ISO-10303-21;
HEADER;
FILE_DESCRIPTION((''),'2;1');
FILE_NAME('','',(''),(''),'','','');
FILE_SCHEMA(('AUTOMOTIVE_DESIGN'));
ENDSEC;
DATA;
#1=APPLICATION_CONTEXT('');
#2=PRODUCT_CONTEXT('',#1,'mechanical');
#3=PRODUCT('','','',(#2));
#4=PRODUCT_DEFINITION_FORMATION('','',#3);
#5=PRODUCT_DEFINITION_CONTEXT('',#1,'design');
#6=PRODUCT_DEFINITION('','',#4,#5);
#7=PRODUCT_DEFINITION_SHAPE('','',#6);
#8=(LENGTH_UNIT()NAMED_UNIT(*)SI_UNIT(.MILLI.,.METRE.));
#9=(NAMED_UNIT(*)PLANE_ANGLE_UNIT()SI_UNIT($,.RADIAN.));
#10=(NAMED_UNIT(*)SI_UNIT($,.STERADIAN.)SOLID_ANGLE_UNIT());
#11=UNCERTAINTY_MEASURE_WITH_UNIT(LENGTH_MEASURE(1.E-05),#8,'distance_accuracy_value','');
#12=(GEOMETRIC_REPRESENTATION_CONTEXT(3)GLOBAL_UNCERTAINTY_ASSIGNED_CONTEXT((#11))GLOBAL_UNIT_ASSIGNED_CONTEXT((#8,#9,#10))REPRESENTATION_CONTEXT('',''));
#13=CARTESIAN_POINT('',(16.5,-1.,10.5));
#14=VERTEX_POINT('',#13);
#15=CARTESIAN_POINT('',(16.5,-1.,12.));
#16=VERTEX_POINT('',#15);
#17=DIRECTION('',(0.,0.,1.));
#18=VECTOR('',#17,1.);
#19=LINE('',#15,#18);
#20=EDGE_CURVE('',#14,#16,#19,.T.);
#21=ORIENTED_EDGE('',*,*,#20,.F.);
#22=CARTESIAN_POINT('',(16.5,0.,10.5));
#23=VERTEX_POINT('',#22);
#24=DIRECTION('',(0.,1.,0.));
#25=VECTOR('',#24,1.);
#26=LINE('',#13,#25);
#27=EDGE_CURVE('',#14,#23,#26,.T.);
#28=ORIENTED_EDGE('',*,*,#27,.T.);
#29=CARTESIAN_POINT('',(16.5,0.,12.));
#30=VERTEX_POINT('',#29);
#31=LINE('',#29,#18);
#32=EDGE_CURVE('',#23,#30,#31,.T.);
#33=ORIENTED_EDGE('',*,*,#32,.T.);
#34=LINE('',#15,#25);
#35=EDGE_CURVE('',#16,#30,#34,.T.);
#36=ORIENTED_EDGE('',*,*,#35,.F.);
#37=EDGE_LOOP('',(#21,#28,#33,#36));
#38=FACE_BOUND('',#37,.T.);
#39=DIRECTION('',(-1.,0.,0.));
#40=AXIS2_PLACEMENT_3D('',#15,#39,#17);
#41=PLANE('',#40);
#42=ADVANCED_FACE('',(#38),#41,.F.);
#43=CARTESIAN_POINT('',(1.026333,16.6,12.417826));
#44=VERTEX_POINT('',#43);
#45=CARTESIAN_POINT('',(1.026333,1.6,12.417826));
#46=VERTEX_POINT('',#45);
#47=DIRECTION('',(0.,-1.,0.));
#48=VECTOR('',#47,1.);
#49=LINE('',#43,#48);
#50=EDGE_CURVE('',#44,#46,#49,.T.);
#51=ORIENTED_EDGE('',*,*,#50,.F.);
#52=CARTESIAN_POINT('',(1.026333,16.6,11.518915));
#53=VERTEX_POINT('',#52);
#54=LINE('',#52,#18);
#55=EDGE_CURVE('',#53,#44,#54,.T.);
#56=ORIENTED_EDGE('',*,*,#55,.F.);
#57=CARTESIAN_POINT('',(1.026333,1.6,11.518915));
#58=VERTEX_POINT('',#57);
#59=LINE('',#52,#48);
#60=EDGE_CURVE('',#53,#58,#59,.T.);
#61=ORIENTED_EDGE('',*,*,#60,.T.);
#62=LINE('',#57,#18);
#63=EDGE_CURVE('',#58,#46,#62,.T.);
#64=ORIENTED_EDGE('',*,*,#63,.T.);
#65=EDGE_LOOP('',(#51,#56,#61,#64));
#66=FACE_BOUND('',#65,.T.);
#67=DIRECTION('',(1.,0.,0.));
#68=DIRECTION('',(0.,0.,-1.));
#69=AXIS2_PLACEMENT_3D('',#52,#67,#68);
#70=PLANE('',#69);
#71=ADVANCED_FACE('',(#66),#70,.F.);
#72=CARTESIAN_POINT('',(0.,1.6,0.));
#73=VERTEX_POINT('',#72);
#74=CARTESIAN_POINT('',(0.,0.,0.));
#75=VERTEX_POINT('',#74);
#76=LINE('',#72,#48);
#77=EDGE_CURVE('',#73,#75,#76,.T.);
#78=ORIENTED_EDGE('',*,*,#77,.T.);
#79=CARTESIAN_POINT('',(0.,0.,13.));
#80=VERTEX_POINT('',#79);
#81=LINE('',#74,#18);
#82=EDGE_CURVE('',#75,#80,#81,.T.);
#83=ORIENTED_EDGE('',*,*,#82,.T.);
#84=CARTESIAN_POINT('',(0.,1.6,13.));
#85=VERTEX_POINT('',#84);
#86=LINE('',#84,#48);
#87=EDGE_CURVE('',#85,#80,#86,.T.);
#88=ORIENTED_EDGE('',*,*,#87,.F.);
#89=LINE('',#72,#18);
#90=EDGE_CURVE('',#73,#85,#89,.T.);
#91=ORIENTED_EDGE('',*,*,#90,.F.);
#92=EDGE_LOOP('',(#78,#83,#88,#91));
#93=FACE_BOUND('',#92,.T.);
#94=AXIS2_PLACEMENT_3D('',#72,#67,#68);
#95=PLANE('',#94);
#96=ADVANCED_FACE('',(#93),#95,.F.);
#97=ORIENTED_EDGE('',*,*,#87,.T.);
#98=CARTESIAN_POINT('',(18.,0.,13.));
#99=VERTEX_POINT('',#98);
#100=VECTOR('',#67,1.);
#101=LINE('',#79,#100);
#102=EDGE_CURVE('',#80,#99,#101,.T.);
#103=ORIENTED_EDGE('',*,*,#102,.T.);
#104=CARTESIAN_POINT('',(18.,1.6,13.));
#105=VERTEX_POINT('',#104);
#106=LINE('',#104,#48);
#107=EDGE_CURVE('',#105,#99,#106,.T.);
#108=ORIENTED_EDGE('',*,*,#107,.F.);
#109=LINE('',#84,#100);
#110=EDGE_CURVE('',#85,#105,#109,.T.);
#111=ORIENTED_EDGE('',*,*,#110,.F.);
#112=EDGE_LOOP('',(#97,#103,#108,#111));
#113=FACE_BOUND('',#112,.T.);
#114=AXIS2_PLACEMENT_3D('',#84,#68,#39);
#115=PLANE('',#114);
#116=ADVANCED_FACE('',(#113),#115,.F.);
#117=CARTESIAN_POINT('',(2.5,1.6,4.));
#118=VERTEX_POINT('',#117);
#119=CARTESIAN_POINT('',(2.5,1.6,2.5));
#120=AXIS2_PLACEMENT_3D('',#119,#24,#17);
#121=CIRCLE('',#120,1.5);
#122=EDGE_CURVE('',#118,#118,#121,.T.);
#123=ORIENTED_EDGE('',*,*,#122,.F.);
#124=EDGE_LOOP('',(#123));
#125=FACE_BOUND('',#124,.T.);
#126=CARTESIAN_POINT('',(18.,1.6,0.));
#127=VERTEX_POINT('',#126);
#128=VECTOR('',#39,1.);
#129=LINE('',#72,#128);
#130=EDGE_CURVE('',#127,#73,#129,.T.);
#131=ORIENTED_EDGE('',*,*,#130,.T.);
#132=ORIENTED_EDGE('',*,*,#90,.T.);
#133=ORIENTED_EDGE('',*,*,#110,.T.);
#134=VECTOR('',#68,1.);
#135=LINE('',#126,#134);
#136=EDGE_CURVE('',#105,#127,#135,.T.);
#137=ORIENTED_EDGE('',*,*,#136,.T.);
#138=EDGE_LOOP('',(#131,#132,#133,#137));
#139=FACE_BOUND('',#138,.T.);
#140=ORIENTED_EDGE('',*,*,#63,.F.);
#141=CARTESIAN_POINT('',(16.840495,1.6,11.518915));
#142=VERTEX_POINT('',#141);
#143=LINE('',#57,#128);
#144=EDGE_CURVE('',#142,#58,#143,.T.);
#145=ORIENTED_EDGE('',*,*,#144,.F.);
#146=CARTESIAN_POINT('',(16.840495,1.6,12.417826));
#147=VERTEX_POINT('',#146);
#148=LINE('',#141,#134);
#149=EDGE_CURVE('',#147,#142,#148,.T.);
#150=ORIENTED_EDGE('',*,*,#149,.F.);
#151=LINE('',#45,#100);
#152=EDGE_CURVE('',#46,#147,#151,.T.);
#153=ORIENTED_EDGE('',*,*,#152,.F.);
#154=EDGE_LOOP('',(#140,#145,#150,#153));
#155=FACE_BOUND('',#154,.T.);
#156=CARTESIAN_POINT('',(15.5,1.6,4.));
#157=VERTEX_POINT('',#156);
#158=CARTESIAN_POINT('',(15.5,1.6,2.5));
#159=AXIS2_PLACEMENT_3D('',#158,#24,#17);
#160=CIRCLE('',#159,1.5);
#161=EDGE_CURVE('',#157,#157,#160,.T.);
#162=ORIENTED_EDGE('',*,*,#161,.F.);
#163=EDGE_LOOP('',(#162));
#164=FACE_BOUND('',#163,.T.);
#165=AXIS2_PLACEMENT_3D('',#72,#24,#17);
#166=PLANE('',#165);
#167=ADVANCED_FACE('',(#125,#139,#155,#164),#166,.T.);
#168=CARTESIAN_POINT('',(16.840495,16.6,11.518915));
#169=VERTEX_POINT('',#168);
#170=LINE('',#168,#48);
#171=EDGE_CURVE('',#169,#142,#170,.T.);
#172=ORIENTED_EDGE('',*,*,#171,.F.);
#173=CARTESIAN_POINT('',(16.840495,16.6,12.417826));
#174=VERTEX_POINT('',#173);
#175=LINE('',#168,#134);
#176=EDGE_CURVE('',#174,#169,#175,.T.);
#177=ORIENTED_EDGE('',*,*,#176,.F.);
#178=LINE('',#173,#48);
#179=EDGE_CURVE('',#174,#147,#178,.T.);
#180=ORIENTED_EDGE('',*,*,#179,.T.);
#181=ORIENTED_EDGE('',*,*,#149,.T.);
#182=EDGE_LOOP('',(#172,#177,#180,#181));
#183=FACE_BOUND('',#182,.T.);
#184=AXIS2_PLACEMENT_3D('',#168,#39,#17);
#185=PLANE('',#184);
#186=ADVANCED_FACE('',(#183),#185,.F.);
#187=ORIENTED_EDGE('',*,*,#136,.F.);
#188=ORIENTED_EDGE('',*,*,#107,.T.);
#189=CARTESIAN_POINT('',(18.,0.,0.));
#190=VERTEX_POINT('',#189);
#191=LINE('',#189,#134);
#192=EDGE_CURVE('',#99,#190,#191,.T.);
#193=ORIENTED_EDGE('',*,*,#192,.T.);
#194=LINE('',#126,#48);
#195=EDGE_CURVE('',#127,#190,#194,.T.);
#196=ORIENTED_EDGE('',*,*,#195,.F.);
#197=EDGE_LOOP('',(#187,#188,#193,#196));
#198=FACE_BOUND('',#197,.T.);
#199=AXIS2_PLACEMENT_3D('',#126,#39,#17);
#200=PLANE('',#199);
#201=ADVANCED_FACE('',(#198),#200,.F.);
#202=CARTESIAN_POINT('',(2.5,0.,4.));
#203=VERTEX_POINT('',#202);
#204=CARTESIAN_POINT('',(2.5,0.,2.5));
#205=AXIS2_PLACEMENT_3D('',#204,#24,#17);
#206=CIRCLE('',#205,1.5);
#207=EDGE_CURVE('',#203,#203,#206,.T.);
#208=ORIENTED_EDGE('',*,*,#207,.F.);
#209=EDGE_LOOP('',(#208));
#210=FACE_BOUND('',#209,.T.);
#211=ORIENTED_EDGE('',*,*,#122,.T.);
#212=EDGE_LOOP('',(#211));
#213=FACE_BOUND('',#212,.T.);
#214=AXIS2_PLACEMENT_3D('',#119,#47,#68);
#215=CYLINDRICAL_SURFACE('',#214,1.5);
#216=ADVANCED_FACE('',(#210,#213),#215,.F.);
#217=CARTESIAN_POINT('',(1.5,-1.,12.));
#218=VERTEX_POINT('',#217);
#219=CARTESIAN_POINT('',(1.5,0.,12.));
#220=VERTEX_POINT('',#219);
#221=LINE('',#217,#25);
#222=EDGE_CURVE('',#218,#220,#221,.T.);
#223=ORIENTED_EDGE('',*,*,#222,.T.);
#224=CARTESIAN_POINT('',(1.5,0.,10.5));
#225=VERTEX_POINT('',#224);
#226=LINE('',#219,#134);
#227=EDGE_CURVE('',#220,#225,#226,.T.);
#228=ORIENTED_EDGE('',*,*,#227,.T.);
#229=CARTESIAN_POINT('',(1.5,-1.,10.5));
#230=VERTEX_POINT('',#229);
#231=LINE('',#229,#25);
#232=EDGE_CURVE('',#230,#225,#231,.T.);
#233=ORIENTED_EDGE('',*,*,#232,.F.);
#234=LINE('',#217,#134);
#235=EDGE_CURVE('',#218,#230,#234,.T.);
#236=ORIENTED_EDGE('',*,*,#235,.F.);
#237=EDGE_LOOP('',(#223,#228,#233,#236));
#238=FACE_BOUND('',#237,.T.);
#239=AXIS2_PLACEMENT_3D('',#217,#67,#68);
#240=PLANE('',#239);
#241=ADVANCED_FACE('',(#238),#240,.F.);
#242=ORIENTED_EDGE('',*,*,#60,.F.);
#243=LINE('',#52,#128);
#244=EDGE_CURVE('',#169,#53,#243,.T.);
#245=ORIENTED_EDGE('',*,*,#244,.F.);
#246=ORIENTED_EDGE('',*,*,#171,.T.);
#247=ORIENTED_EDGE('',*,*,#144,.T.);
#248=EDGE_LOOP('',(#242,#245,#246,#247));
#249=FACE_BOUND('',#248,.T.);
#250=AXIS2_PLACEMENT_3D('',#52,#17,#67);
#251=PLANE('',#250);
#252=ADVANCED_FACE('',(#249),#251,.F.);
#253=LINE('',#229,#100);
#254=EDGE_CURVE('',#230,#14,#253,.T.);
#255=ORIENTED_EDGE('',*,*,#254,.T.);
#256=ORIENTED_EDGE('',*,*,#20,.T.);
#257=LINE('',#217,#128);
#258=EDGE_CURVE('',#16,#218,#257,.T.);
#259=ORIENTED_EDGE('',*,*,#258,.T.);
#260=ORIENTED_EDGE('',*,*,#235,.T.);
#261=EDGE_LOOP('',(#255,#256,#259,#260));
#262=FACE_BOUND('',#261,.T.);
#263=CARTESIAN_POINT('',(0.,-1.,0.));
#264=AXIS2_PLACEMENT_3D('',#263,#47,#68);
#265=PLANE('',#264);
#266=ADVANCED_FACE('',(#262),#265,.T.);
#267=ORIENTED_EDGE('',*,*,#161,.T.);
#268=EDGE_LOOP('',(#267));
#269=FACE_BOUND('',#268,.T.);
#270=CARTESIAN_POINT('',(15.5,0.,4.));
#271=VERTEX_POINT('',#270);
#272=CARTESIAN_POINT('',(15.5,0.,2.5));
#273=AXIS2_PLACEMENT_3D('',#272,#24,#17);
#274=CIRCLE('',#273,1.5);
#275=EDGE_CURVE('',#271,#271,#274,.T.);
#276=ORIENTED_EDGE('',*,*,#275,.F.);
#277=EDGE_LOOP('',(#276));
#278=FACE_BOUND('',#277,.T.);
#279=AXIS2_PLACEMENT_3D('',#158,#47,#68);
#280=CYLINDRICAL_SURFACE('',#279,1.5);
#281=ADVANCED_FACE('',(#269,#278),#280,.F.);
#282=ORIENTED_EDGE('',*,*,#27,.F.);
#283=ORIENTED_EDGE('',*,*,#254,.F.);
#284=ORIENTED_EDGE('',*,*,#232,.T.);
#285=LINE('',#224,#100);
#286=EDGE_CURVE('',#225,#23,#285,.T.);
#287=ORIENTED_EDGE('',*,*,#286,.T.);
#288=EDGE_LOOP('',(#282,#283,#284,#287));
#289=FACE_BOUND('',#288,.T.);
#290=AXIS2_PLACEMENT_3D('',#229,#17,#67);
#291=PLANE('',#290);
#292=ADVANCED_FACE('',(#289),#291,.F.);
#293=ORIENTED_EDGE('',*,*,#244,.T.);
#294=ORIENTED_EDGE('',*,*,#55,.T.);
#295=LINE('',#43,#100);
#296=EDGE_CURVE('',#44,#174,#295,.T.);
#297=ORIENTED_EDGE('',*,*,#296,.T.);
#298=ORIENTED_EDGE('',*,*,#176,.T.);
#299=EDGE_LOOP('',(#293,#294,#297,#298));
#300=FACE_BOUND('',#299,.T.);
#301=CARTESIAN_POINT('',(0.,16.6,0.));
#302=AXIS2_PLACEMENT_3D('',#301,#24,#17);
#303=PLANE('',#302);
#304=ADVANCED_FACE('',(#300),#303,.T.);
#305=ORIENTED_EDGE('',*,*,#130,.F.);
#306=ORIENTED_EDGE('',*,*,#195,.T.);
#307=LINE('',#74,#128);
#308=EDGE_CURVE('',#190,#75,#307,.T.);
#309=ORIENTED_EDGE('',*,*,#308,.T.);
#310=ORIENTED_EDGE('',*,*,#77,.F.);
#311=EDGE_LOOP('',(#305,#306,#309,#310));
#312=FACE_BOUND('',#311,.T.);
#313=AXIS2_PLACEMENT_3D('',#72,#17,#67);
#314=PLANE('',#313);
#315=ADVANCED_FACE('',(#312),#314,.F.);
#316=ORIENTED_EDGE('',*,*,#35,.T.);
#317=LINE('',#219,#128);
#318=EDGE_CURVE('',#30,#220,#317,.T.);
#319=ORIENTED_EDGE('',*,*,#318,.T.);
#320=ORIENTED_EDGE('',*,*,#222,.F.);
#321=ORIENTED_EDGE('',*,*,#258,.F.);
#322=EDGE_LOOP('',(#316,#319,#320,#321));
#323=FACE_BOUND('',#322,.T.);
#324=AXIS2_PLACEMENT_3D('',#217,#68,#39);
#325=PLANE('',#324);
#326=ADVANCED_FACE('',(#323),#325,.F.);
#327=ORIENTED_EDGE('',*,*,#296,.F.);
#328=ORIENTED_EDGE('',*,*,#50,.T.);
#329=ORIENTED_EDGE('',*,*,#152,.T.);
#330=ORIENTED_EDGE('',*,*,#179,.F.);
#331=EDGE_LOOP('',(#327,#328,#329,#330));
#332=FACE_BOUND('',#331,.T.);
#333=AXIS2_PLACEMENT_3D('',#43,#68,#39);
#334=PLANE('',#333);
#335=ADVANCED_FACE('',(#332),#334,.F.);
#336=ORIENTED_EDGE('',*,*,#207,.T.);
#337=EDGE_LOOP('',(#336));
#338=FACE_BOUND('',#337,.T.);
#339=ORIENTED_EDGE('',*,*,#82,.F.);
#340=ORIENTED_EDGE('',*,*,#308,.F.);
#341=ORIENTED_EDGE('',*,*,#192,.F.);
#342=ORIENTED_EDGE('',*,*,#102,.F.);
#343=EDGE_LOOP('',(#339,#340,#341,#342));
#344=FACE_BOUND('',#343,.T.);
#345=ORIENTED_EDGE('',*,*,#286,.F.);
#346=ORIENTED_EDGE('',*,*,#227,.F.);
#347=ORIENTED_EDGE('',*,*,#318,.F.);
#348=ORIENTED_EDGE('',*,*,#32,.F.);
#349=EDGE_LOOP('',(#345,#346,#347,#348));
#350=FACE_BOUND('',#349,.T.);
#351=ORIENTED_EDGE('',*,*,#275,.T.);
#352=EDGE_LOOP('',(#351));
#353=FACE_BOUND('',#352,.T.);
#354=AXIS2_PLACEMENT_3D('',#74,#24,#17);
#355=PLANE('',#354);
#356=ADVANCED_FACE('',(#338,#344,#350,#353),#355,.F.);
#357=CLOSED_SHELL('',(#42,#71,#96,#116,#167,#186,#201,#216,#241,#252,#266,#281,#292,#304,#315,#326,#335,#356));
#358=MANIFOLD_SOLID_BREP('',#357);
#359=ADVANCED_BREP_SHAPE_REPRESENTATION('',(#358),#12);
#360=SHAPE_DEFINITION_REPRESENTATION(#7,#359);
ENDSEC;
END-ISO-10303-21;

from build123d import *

# Parameters (mm, degrees)
SKETCH_1_W      = 18
SKETCH_1_H      = 13
SKETCH_1_R      = 1.5
EXTRUDE_1_DEPTH = 1.6
SKETCH_2_W      = 15
SKETCH_2_H      = 1.5
EXTRUDE_2_DEPTH = 1
SKETCH_3_W      = 15.814161569
SKETCH_3_H      = 0.898910236
EXTRUDE_3_DEPTH = 15


with BuildPart() as part:
    # 草图1 → 凸台-拉伸1 (new body)
    with BuildSketch(Plane(origin=(0, 0, 0), x_dir=(1, 0, 0), z_dir=(0, 1, 0))):
        with Locations((9, -6.5)):
            Rectangle(SKETCH_1_W, SKETCH_1_H)
        with Locations(Location((2.5, -2.5, 0), (0, 0, 270))):
            Circle(SKETCH_1_R, mode=Mode.SUBTRACT)
        with Locations(Location((15.5, -2.5, 0), (0, 0, 270))):
            Circle(SKETCH_1_R, mode=Mode.SUBTRACT)
    extrude(amount=EXTRUDE_1_DEPTH)

    # 草图2 → 凸台-拉伸2 (add)
    with BuildSketch(Plane.XZ):
        with Locations((9, 11.25)):
            Rectangle(SKETCH_2_W, SKETCH_2_H)
    extrude(amount=EXTRUDE_2_DEPTH)

    # 草图3 → 凸台-拉伸3 (add)
    with BuildSketch(Plane(origin=(0, 1.6, 0), x_dir=(1, 0, 0), z_dir=(0, 1, 0))):
        with Locations((8.933414057, -11.968370606)):
            Rectangle(SKETCH_3_W, SKETCH_3_H)
    extrude(amount=EXTRUDE_3_DEPTH)


solid = part.part
